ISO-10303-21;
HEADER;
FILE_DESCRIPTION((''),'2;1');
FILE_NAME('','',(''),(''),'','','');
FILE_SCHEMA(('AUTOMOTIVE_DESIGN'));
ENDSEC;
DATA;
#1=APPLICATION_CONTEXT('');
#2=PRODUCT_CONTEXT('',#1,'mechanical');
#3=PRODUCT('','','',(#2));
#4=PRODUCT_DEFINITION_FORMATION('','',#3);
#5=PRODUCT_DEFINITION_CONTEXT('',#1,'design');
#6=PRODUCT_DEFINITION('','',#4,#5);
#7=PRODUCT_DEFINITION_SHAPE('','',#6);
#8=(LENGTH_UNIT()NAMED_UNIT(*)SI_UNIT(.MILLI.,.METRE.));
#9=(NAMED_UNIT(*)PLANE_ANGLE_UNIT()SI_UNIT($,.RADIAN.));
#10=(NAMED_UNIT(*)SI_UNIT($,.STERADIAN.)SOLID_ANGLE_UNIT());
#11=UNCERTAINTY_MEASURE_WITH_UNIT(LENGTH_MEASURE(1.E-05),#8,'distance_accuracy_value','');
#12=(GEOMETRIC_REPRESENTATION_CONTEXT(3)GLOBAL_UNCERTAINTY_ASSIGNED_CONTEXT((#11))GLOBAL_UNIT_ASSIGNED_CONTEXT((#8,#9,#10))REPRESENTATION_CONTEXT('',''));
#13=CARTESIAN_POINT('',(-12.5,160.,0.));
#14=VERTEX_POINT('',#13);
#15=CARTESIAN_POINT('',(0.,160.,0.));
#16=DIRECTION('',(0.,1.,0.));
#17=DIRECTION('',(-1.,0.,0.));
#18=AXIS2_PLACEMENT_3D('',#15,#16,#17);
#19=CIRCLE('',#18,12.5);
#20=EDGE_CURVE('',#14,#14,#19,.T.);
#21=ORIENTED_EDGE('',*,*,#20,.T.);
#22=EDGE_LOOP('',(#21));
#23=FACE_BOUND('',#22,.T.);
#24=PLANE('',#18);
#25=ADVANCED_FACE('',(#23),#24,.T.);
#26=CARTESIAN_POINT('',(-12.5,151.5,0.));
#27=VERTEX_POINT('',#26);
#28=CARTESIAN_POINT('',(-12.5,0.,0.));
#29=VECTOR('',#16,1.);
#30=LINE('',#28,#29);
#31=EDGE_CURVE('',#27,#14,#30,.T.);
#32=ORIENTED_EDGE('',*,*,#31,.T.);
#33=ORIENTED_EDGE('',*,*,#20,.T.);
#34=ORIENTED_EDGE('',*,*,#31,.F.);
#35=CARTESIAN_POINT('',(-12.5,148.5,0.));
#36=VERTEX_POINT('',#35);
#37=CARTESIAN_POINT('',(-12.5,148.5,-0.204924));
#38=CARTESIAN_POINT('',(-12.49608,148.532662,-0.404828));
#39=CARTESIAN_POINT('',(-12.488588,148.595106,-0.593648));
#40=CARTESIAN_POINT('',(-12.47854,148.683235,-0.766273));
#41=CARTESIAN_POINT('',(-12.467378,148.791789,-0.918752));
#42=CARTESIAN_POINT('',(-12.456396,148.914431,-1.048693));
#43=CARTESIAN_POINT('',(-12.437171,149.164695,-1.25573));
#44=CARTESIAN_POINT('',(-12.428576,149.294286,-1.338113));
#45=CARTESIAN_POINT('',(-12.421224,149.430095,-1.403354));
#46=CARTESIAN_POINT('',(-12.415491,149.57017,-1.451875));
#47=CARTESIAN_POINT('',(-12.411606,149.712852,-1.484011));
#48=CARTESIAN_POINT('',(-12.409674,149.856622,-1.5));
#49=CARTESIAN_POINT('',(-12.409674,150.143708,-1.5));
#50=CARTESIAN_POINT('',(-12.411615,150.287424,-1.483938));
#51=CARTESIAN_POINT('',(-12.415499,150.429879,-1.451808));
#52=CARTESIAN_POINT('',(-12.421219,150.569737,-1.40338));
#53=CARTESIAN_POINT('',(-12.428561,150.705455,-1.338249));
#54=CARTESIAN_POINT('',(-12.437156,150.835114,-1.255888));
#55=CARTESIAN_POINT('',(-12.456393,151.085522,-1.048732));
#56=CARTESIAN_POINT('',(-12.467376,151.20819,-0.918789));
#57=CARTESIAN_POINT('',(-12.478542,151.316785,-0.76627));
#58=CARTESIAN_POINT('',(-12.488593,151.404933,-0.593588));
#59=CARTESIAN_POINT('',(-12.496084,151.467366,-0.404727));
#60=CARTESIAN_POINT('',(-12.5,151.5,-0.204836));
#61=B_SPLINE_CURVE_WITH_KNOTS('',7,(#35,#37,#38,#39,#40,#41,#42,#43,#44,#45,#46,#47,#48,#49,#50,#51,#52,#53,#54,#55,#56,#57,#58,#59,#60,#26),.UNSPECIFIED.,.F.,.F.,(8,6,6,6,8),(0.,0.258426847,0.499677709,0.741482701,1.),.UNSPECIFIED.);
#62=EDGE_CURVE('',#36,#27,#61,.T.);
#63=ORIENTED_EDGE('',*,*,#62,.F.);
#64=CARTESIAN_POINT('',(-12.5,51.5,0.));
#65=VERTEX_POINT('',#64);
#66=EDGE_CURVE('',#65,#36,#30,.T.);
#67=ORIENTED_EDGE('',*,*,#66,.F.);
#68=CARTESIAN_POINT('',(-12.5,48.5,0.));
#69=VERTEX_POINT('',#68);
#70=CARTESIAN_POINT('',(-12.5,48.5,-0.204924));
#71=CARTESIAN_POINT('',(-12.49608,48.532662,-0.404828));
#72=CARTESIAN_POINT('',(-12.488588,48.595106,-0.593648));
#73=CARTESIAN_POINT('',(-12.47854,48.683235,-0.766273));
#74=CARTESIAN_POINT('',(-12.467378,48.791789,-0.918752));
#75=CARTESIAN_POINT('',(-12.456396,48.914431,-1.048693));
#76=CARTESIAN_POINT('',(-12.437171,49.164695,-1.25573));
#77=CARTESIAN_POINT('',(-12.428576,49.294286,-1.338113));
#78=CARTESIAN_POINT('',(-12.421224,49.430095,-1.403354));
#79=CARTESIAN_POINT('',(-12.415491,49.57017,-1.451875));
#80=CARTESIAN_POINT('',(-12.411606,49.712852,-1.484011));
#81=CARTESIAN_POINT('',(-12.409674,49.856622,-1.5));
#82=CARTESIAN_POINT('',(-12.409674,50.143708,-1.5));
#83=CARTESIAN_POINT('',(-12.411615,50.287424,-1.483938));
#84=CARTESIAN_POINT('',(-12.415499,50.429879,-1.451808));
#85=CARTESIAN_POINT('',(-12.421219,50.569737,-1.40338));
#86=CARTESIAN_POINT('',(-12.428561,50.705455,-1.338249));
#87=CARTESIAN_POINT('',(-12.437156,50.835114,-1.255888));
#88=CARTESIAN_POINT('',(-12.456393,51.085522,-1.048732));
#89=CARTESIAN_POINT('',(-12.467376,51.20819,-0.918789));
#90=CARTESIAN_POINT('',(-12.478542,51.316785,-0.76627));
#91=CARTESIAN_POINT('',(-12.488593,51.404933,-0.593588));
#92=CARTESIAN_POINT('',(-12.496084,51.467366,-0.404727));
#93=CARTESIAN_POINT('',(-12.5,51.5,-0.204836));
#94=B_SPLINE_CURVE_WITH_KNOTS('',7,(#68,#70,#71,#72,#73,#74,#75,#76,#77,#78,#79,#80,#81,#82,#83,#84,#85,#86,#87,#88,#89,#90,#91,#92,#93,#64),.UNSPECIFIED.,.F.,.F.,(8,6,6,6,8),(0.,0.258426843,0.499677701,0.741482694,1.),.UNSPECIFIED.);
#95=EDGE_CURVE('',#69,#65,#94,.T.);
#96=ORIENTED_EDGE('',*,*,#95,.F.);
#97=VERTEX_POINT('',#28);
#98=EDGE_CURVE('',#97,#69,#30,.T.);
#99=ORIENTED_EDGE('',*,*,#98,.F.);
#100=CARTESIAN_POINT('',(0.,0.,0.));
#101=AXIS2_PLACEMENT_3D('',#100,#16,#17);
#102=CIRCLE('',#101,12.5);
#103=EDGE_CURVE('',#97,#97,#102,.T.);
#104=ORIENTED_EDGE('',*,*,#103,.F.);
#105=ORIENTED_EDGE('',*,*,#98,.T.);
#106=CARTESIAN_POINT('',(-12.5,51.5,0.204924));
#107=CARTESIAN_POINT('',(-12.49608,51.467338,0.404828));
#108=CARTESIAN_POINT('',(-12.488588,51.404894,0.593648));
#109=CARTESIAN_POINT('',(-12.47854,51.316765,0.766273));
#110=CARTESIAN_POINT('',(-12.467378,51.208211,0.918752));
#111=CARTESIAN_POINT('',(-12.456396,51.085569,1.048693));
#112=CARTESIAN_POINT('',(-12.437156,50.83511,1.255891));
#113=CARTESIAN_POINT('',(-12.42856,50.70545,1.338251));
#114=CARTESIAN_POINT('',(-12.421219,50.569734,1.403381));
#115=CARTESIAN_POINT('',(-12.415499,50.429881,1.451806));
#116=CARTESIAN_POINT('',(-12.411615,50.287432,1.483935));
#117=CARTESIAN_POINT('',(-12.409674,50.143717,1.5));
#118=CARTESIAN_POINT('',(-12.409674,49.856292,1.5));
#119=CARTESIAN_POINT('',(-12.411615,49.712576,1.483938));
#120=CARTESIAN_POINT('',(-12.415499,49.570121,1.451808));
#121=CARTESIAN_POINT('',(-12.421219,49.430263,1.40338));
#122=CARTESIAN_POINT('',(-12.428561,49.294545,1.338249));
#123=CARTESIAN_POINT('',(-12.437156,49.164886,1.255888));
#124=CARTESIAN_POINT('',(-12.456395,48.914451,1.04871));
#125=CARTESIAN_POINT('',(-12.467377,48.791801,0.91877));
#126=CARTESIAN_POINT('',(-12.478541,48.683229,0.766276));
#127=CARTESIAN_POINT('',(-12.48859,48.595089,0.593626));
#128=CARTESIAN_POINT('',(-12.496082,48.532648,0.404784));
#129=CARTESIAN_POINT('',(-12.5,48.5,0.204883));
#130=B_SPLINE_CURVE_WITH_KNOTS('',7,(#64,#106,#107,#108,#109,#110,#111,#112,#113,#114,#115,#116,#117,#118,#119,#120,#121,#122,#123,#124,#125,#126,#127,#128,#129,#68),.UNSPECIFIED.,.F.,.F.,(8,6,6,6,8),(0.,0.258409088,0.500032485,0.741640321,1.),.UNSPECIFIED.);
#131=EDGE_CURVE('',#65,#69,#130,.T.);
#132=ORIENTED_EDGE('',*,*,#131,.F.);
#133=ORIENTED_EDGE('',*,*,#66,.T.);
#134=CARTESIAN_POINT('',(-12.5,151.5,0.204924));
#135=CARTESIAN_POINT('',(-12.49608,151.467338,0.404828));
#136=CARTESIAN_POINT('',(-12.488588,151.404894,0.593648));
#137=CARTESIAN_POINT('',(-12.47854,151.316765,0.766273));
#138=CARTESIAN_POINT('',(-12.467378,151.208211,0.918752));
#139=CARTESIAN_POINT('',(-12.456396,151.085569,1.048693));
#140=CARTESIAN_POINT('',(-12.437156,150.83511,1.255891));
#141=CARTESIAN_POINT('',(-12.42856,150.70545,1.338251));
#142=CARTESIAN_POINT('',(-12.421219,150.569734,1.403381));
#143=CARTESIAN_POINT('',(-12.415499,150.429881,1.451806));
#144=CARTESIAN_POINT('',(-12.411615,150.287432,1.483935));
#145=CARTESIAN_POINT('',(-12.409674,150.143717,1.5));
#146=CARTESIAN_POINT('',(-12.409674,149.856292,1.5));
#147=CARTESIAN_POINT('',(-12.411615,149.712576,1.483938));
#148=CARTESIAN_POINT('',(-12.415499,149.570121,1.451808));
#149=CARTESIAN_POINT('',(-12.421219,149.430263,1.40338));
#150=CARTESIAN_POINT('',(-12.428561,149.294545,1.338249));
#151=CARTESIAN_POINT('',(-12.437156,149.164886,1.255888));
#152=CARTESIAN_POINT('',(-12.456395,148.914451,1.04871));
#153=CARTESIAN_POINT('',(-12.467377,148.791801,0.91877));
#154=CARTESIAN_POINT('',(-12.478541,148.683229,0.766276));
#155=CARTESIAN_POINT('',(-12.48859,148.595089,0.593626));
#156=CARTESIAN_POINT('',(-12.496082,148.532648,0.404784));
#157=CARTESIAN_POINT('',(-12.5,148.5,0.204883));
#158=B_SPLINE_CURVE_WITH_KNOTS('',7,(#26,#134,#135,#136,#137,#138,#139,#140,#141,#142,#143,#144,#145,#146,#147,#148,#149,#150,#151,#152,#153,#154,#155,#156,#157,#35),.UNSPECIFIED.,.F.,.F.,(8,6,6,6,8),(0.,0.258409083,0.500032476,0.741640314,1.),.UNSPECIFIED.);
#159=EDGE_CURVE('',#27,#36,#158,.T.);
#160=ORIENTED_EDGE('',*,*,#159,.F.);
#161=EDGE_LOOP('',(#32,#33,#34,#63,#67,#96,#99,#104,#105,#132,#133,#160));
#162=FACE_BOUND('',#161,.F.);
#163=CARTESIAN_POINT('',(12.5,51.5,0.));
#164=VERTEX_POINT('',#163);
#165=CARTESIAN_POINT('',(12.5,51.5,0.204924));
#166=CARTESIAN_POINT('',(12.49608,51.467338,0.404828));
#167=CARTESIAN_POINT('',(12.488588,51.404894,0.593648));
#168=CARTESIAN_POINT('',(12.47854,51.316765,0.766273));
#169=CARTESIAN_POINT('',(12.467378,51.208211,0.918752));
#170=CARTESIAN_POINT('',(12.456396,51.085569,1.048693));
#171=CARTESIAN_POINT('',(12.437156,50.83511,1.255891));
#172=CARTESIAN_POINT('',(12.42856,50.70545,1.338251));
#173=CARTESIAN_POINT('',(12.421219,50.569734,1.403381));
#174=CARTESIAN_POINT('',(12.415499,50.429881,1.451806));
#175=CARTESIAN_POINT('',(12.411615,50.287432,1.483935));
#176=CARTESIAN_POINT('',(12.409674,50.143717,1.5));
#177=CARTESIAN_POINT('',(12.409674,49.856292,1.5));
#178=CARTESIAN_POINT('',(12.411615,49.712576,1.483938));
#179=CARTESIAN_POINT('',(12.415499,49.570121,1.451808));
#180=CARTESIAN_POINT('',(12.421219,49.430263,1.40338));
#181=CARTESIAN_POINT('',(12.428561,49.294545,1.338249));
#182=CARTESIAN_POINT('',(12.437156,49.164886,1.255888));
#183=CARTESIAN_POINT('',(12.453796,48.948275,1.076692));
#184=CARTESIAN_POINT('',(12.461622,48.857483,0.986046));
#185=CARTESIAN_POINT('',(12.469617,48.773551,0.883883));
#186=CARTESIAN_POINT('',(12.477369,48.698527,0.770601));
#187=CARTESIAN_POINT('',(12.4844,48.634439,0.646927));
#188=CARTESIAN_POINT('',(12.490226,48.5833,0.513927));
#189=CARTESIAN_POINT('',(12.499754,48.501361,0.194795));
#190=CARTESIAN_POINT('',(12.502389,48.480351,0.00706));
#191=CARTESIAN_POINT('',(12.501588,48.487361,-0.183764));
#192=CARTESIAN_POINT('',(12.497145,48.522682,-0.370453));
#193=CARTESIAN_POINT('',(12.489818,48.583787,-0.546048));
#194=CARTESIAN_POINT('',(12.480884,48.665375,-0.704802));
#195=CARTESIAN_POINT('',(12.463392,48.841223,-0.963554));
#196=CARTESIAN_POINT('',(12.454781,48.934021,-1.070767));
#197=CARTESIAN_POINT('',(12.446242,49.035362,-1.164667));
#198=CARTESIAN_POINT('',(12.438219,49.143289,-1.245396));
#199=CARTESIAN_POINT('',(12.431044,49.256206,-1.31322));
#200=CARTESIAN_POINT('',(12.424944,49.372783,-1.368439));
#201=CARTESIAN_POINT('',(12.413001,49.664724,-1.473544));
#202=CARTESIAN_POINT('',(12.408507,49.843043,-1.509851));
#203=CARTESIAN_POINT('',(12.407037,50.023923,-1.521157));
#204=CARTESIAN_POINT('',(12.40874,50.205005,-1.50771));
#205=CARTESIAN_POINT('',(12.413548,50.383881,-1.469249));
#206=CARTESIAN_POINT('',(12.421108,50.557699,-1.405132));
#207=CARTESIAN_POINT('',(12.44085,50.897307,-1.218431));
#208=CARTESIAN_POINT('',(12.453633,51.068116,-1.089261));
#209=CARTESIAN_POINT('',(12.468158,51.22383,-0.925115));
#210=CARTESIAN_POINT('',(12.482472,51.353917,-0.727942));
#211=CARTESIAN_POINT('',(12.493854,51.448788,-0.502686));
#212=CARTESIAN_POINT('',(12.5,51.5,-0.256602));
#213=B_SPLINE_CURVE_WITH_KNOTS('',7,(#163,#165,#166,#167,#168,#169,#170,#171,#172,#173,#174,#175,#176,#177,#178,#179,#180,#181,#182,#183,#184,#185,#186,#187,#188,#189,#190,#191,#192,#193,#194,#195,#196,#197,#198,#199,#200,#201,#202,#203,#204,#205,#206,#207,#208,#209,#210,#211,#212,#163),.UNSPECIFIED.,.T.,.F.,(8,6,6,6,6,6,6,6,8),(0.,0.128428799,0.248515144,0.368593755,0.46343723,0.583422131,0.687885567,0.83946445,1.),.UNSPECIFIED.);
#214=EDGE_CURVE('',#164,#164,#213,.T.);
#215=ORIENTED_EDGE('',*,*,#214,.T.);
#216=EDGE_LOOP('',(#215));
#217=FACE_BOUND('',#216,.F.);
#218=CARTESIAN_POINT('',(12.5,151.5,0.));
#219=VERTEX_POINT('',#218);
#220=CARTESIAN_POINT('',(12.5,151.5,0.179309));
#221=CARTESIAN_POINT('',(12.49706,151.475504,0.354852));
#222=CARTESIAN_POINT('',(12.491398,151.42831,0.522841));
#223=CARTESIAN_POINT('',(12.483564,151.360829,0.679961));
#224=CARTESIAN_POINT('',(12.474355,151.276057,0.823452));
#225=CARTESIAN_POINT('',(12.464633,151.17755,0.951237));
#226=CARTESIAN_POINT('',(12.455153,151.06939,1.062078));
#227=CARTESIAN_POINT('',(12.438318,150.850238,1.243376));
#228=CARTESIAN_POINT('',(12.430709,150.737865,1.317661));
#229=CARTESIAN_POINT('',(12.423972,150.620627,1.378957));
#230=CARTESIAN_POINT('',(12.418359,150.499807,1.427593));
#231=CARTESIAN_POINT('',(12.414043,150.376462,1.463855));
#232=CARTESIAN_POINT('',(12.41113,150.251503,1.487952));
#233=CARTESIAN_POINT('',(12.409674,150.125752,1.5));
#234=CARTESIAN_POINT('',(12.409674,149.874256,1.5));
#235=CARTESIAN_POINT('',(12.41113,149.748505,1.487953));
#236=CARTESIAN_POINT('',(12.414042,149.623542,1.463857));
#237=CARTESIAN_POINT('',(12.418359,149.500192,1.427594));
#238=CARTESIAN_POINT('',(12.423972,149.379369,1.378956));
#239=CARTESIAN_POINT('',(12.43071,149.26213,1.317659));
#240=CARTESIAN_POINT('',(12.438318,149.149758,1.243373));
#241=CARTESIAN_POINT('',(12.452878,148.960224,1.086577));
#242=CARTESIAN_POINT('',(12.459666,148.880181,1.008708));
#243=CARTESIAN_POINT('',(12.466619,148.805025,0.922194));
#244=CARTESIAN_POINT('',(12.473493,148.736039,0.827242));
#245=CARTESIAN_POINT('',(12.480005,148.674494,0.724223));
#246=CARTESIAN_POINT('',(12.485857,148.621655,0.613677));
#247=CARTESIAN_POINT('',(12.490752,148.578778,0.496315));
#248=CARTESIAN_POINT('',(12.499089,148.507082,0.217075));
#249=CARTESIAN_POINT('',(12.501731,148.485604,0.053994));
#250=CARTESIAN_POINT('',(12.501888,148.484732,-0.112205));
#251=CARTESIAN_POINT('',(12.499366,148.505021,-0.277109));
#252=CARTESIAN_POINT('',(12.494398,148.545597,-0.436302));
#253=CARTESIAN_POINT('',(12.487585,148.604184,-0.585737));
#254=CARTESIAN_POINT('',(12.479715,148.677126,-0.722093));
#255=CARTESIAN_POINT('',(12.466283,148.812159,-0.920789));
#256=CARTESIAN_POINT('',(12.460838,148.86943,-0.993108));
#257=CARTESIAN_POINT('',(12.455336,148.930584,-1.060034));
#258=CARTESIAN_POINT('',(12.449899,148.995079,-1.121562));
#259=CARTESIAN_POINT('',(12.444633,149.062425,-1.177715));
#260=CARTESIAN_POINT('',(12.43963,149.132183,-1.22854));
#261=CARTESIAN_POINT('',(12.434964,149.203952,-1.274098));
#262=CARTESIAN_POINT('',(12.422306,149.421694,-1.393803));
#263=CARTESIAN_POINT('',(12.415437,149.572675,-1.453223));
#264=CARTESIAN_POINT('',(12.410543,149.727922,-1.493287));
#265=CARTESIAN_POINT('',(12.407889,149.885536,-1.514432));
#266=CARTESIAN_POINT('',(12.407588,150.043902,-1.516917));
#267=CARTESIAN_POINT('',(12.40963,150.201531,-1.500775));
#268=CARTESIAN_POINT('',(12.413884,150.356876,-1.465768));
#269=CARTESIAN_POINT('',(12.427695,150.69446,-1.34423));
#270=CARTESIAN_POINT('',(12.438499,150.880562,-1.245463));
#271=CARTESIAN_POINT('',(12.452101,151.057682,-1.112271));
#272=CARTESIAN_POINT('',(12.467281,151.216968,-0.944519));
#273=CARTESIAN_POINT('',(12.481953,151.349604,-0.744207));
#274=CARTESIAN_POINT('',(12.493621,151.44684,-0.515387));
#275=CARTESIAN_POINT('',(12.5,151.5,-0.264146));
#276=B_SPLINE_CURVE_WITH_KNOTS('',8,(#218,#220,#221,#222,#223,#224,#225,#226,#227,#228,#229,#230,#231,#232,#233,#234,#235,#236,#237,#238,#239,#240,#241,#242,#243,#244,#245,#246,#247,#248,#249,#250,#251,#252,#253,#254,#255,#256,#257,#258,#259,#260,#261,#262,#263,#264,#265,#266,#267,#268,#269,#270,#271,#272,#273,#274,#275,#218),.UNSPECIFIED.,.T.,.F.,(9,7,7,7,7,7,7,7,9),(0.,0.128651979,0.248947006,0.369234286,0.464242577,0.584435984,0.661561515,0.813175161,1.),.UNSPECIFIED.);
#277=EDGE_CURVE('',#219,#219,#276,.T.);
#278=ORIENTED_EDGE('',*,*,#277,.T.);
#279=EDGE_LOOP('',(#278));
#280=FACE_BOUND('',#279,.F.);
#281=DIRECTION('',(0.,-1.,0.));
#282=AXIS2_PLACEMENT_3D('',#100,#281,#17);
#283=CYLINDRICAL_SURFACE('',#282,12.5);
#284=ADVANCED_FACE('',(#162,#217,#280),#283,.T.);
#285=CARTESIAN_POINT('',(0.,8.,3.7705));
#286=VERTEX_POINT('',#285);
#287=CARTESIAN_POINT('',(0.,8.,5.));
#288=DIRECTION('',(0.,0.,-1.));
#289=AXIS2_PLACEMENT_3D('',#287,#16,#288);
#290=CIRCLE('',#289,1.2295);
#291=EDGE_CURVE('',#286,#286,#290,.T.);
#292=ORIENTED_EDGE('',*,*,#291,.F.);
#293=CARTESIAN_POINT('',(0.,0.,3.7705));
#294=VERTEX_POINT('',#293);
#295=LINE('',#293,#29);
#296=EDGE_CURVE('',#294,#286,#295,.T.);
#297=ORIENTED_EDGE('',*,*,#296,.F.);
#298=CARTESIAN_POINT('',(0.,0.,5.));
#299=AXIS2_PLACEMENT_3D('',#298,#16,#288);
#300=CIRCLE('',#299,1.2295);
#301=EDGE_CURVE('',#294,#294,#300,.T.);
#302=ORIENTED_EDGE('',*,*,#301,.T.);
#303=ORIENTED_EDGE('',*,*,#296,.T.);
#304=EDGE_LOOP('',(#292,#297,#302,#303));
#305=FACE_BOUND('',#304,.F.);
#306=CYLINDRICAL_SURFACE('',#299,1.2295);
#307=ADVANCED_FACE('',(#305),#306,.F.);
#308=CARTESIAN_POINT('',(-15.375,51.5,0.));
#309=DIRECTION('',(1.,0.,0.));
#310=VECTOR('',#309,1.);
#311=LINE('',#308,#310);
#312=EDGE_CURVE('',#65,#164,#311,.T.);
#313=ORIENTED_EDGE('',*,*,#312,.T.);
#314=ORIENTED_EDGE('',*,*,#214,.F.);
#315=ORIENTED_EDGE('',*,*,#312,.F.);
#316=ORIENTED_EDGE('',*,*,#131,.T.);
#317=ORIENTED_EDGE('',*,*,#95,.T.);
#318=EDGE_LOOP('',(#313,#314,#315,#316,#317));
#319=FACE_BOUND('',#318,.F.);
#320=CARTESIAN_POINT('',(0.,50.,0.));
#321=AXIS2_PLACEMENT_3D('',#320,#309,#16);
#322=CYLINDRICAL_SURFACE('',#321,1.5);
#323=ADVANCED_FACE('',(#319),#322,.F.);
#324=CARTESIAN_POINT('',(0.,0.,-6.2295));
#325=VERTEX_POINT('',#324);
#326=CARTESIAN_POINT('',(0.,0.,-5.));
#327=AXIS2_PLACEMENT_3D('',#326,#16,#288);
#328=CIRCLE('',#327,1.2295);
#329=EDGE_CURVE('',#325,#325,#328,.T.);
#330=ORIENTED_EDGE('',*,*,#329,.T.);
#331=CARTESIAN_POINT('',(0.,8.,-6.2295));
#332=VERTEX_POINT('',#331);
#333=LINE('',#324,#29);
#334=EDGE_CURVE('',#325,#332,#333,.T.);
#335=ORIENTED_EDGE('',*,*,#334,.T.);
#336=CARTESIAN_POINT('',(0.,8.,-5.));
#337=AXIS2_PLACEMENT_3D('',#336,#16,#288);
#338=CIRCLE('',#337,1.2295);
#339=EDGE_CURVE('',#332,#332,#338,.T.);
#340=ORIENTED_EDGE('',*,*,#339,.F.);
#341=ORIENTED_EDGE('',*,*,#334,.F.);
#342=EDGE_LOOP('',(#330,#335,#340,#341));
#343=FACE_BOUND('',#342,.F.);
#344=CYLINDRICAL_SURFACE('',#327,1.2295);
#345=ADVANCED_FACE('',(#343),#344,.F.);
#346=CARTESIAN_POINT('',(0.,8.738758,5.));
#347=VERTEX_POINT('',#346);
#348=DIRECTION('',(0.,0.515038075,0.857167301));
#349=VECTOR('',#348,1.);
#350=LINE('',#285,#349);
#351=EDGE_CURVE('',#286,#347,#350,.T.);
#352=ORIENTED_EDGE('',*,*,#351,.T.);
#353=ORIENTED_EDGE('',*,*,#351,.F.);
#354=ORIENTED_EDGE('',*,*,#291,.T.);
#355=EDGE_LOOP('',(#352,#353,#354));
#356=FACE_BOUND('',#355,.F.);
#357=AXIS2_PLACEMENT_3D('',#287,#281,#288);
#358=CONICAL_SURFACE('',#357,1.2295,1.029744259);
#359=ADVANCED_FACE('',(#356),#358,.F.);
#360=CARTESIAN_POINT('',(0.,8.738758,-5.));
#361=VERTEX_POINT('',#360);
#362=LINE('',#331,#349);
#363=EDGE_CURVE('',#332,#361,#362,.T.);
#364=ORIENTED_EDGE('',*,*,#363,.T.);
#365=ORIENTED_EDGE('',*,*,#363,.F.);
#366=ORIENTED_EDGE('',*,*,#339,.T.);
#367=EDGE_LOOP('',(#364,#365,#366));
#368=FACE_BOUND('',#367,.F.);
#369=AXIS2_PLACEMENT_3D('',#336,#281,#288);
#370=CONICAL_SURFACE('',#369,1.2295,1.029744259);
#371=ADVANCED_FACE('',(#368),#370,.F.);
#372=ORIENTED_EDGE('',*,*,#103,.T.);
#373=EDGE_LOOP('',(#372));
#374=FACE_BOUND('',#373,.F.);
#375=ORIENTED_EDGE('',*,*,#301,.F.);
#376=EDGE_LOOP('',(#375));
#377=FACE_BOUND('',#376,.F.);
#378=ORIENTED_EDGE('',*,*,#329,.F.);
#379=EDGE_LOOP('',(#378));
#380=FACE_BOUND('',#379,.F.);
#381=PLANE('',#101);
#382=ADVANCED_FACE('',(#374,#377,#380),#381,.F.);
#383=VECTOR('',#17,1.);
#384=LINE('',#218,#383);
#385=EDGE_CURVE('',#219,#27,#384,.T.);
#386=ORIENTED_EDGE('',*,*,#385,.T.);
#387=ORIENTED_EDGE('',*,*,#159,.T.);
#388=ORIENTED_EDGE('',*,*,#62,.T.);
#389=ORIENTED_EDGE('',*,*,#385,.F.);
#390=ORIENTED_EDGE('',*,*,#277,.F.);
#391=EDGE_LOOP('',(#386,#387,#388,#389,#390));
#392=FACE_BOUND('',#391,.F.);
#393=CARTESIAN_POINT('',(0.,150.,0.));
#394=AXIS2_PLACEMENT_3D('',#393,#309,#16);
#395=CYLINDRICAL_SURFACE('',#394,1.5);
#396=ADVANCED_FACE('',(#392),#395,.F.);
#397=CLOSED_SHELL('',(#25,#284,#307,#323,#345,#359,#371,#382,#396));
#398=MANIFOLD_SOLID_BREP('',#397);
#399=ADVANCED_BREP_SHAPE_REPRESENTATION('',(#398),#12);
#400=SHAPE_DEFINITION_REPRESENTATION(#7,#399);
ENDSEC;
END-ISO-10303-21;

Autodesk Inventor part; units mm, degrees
ref_plane "YZ Plane" through (0, 0, 0) normal (1, 0, 0) x (0, 1, 0)
ref_plane "XZ Plane" through (0, 0, 0) normal (0, 1, 0) x (-1, 0, 0)
ref_plane "XY Plane" through (0, 0, 0) normal (0, 0, 1) x (1, 0, 0)
sketch "Эскиз1" plane through (0, 0, 0) normal (0, 1, 0) x (-1, 0, 0)
  circle A0 centre (0, 0) radius 12.5
  dimension "d0" = 25
extrude "Выдавливание1" add sketch "Эскиз1" along normal blind 160
sketch "Эскиз2" plane through (0, 0, 0) normal (0, -1, 0) x (1, 0, 0)
  circle A0 centre (0, 0) radius 22.5
  line L0 (0, 0) -> (0, 5)
  line L1 (0, 0) -> (0, -5)
  dimension "d3" = 45
  dimension "d4" = 5
  dimension "d5" = 5
hole "Отверстие1" at (0, 0, 5) at (0, 0, -5) direction (0, 1, 0) diameter 2.459 depth 8 tip angle 118 thread size "M3x0.5" class "6H" standard "ISO Metric profile"
sketch "Эскиз4" plane through (0, 0, 0) normal (1, 0, 0) x (0, 1, 0)
  line L0 (160, -12.5) -> (160, 12.5) projected
  line L1 (160, 0) -> (150, 0)
  circle A0 centre (150, 0) radius 1.5
  line L2 (160, 0) -> (150, 0)
  line L3 (150, 0) -> (155, 0)
  circle A1 centre (145, 0) radius 1.5
  line L4 (0, 0) -> (50, 0)
  circle A2 centre (50, 0) radius 1.5
  dimension "d30" = 3
  dimension "d35" = 10
  dimension "d49" = 50
  dimension "d50" = 3
extrude "Выдавливание3" cut sketch "Эскиз4" along normal mid plane 30.75 contours A0 | A2
thread "Резьба4" size "M3x0.5" class "6H" standard "ANSI Metric M Profile" full length
thread "Резьба5" size "M3x0.5" class "6H" standard "ANSI Metric M Profile" full length
properties part number "17701729.303788.008"
